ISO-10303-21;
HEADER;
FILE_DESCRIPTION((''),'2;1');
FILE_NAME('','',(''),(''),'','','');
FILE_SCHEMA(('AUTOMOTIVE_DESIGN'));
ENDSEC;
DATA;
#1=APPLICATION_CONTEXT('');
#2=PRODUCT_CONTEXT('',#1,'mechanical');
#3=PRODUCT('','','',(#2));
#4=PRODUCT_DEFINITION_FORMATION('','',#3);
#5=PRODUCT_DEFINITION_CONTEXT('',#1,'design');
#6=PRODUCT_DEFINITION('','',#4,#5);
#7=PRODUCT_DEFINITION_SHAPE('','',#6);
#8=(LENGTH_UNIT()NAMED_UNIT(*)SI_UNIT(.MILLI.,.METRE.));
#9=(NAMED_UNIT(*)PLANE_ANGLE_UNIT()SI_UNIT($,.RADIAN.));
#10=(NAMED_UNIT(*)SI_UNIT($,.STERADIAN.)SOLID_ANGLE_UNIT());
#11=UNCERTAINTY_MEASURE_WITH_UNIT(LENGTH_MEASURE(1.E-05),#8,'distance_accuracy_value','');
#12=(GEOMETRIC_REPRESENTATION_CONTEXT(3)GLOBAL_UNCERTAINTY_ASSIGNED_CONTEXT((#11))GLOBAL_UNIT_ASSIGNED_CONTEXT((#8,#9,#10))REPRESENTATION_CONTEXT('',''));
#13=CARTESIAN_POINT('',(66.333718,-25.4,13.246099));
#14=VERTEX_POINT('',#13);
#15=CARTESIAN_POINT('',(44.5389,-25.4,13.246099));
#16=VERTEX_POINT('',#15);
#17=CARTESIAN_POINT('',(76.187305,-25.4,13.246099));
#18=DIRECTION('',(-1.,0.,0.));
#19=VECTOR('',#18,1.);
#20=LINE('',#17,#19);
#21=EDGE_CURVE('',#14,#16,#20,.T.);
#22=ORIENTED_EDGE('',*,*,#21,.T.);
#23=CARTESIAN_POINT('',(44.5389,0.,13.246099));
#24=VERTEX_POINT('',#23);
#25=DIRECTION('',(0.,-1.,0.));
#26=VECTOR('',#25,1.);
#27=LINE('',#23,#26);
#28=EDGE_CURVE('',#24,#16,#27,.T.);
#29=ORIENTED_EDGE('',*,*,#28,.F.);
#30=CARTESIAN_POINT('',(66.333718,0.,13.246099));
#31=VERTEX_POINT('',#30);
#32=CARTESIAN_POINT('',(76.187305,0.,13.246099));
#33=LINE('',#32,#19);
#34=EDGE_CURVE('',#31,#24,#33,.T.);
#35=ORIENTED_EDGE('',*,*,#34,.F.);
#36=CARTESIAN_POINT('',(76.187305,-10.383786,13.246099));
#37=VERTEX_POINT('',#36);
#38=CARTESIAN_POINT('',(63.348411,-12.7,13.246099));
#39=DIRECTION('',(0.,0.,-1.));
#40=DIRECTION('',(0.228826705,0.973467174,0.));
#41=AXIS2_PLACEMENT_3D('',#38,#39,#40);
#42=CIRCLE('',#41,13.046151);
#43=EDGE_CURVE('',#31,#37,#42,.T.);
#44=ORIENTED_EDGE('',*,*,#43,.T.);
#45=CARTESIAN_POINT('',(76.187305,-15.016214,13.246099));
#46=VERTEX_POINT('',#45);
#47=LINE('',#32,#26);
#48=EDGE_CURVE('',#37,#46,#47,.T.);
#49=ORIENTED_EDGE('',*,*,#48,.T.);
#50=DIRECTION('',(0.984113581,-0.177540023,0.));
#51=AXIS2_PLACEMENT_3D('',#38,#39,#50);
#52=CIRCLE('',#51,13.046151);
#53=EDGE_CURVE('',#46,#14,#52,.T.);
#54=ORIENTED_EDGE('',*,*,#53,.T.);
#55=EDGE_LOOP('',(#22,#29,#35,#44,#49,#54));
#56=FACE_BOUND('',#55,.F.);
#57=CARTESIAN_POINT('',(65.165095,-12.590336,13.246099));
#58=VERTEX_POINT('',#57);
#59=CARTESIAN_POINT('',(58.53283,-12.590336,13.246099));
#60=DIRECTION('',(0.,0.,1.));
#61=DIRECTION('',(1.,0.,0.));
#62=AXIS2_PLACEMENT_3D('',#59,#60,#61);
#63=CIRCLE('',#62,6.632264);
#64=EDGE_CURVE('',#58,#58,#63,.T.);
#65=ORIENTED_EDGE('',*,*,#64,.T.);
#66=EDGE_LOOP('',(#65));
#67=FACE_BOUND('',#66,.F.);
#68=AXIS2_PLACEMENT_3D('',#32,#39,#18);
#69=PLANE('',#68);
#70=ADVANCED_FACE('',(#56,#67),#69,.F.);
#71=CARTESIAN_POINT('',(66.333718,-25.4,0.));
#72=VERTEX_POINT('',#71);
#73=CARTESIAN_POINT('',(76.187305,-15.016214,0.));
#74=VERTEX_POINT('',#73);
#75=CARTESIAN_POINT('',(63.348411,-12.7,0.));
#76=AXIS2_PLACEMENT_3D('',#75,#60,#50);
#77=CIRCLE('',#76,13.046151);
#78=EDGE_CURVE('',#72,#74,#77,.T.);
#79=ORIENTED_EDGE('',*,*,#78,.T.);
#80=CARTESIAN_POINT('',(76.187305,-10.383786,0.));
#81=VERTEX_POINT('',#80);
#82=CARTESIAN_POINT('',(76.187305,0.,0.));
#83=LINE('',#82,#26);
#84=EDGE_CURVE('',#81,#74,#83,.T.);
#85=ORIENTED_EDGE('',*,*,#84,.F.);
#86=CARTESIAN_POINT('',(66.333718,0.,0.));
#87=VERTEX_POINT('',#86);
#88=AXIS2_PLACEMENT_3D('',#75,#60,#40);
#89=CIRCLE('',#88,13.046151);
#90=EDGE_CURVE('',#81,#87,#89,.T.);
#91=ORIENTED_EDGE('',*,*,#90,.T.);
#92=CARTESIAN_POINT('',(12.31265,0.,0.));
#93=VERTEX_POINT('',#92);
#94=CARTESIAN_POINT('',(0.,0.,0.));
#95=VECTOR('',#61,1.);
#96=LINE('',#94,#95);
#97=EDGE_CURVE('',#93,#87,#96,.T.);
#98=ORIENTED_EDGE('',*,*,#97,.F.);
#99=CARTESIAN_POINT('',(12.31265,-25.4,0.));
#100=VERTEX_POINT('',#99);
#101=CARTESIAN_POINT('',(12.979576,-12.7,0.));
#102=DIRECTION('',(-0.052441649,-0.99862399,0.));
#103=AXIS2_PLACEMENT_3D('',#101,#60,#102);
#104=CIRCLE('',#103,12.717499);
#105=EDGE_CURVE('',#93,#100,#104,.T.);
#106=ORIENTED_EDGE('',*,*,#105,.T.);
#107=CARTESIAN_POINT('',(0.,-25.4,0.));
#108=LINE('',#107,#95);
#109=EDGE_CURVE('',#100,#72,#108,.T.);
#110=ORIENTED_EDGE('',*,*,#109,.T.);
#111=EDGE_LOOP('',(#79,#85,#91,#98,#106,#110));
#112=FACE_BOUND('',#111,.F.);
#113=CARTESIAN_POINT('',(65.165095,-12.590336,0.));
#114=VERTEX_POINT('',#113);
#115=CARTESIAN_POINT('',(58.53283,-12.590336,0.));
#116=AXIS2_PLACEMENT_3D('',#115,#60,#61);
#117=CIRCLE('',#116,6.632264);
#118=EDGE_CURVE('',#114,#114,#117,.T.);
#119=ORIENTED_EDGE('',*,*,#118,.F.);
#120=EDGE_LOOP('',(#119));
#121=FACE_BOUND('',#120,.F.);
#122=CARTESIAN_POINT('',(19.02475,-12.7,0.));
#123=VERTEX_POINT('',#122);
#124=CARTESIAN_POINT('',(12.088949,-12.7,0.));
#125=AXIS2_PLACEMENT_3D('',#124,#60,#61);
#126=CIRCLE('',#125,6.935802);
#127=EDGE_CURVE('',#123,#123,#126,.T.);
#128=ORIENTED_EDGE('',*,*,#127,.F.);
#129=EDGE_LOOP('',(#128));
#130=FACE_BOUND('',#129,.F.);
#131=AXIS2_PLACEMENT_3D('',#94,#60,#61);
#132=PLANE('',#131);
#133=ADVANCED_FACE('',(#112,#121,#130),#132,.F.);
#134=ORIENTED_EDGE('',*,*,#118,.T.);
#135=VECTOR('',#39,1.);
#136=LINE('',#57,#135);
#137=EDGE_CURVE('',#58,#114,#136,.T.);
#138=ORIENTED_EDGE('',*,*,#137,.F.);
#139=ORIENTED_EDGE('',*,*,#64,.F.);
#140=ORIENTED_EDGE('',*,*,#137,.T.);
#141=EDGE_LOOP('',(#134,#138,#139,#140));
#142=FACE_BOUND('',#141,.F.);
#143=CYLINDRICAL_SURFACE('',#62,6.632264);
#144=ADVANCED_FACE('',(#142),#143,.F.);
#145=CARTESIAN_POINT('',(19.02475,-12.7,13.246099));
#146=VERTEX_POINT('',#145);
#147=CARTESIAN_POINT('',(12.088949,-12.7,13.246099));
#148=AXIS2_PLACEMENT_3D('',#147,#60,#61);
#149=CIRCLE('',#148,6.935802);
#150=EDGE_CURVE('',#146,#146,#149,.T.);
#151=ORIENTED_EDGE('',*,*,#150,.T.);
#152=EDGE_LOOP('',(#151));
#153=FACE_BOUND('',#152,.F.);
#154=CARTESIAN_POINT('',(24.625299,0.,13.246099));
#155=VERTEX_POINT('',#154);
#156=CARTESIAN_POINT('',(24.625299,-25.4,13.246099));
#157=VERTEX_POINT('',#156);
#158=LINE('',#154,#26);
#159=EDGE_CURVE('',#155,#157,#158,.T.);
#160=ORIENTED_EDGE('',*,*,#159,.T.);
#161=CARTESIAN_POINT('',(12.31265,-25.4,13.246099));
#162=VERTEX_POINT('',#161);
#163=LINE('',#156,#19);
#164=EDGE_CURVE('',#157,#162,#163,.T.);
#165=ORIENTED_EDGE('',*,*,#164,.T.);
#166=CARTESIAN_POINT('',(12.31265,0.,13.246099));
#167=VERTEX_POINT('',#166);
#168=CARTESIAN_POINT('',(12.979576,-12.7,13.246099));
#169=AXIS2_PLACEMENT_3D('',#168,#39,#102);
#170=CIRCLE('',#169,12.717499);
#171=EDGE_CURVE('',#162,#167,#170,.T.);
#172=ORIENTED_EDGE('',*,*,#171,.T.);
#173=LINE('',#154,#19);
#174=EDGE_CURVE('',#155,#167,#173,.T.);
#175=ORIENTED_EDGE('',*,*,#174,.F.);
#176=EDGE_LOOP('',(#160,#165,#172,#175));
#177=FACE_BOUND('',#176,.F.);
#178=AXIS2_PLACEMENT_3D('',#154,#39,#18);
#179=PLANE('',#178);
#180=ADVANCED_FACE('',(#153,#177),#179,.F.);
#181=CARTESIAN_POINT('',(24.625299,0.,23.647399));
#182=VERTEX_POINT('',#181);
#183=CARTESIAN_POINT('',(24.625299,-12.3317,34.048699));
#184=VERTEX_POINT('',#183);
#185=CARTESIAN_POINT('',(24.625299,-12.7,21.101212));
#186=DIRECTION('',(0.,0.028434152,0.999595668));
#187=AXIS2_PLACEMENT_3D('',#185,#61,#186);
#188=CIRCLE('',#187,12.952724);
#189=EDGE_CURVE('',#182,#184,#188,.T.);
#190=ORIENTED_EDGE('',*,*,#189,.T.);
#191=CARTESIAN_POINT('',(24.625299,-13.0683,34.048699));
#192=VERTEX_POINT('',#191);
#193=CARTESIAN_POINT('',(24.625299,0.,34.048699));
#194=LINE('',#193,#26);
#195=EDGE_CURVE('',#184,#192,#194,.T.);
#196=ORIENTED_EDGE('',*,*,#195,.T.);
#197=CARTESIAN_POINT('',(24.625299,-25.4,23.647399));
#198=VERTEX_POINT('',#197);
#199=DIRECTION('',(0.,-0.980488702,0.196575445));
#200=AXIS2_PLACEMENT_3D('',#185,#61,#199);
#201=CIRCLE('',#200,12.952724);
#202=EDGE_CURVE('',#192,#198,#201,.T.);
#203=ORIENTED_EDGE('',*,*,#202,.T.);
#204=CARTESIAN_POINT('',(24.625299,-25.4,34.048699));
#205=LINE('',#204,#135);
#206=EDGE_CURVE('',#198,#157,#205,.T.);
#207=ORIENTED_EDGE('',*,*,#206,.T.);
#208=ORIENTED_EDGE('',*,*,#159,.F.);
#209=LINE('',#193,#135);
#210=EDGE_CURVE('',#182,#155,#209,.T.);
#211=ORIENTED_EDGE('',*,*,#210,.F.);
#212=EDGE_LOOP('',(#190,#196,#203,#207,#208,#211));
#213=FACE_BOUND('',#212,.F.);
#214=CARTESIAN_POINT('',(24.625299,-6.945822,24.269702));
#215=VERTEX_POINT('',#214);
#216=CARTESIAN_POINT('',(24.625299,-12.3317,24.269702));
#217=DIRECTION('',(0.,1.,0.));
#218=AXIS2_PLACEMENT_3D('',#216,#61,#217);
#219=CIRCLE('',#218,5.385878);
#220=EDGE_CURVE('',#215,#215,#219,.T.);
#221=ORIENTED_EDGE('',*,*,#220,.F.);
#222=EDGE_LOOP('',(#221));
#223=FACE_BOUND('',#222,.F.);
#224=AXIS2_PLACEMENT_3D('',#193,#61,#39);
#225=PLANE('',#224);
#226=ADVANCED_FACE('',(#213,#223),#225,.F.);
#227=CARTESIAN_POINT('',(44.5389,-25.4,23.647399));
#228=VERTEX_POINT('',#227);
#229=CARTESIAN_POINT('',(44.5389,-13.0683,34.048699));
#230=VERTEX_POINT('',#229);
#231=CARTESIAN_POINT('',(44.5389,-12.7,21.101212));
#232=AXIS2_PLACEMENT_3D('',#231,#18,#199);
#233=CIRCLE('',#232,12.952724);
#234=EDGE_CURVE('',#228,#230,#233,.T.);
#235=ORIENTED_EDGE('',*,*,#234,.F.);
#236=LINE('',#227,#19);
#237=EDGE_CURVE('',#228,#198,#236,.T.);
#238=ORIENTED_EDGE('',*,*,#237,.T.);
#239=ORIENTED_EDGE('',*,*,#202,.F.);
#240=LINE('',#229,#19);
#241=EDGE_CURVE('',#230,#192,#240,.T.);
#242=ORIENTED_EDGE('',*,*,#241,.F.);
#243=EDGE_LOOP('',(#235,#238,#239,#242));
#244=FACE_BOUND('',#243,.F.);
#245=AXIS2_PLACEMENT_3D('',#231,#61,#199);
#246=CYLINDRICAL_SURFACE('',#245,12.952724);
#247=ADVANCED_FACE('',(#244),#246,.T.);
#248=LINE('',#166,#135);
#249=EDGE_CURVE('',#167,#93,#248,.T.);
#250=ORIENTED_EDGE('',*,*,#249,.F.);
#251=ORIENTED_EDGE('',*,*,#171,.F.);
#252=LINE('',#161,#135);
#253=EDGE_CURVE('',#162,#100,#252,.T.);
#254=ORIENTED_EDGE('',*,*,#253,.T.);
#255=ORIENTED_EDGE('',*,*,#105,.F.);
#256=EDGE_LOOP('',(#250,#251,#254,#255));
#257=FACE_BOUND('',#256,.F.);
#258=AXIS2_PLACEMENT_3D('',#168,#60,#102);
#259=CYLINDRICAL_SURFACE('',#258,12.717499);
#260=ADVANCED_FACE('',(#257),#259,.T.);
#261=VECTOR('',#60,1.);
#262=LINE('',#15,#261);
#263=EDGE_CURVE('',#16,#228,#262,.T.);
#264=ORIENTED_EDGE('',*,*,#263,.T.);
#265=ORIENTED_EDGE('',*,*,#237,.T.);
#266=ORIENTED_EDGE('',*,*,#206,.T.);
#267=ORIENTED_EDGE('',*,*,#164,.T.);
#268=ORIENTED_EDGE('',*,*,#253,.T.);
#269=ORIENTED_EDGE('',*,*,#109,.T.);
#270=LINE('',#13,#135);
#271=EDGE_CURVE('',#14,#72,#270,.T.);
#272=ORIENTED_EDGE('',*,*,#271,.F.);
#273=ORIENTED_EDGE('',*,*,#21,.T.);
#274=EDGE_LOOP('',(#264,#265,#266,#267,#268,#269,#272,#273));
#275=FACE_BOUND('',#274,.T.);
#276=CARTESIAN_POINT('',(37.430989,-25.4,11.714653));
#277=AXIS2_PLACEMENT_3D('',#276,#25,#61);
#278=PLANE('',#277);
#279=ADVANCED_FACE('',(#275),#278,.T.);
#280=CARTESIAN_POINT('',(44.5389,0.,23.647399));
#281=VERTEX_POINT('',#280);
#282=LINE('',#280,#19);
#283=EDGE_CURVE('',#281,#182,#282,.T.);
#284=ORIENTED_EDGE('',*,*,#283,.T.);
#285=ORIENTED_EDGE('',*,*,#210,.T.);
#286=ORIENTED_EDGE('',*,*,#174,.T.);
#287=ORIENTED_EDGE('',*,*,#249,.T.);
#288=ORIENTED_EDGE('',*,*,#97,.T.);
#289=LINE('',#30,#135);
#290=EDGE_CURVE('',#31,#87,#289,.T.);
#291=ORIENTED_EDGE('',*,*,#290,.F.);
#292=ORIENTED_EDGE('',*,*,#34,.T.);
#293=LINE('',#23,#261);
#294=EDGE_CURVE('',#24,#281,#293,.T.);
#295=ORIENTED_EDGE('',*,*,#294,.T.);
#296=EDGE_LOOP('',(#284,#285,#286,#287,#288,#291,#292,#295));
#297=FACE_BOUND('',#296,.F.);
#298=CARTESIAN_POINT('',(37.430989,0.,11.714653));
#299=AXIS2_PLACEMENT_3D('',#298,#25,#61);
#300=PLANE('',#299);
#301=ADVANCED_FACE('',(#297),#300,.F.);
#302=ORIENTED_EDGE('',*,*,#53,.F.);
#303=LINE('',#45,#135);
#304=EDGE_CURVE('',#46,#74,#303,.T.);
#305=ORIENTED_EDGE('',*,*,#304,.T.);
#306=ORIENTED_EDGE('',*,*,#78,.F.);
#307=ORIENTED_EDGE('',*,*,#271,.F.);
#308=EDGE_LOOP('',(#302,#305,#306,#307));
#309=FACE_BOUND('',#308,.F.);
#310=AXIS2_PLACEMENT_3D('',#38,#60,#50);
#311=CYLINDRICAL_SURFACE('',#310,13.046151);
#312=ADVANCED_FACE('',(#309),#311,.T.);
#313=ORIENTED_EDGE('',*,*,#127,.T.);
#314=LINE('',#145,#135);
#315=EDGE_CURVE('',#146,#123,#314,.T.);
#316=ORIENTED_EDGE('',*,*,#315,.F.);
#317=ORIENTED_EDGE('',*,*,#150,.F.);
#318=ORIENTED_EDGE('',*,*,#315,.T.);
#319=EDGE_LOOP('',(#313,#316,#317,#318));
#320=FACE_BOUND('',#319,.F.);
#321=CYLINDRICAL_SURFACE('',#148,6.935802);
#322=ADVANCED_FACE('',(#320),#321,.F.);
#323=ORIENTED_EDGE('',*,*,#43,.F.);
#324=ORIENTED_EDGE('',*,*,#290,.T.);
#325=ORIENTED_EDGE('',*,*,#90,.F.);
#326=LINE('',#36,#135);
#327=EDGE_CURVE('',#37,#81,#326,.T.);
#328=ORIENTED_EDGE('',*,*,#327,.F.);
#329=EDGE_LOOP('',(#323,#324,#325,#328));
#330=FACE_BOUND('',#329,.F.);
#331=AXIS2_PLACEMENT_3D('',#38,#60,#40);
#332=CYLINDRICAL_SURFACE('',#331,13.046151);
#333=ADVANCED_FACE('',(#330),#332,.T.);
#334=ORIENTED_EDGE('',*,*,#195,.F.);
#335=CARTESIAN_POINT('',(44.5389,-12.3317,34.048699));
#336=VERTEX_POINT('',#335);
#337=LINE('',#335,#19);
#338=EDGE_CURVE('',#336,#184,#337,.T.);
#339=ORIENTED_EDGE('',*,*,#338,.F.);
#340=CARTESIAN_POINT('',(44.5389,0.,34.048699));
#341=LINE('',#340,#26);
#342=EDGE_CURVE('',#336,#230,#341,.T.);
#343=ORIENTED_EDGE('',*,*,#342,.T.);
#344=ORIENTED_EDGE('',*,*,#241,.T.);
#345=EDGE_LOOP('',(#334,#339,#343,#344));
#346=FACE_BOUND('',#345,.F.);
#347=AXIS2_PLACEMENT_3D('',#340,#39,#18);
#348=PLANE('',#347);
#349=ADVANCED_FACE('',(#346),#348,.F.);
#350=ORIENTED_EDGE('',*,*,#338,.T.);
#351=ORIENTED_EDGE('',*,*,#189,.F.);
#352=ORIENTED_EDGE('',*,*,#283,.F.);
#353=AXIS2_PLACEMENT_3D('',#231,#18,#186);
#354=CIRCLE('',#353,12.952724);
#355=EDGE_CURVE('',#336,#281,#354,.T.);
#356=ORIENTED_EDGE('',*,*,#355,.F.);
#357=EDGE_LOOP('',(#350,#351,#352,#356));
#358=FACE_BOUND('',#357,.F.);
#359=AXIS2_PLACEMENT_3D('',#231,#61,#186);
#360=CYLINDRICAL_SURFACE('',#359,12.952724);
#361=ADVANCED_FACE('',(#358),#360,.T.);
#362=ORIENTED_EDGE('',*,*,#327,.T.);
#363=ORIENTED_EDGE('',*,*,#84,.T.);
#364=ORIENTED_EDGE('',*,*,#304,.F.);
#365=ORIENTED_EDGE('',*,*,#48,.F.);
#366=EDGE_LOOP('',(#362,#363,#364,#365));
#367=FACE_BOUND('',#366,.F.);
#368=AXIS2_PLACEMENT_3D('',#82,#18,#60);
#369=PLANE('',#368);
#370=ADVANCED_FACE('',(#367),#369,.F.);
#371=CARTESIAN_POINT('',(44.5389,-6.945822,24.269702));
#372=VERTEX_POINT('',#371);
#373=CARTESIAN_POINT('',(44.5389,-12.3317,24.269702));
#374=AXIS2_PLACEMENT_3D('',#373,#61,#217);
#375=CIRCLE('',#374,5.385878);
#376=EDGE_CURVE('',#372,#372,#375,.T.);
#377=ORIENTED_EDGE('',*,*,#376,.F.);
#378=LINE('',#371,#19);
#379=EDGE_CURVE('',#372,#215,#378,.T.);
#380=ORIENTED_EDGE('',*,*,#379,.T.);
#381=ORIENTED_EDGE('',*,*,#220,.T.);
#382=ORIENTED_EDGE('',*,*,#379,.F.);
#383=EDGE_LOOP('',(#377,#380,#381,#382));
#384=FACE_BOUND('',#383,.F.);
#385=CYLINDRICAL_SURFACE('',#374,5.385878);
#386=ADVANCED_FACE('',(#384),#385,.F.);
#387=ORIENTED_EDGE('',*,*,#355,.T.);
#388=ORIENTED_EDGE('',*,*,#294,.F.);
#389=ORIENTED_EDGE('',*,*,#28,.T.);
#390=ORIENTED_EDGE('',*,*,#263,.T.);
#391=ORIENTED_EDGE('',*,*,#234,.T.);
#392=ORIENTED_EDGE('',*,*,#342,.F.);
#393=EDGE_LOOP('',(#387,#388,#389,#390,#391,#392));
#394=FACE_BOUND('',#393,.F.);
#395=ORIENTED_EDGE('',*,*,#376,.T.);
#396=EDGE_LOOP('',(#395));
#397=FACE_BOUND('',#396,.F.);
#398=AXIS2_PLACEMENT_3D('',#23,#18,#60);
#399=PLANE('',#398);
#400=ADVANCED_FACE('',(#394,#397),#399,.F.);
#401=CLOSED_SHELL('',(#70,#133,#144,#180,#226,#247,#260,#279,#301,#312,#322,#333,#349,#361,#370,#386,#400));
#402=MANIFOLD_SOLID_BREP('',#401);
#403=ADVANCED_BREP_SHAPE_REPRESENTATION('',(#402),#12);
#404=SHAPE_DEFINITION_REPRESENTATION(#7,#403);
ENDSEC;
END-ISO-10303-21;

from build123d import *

# Parameters (mm, degrees)
F1_DEPTH  = 25.4
F2_R      = 6.9358016154
F2_R_2    = 6.6322643692
F3_DEPTH  = 13.2470994646
F5_DEPTH  = 44.5399002562
F6_R      = 5.3858777777
F7_DEPTH  = 44.5399002562
F9_DEPTH  = 13.2470994646
F11_DEPTH = 13.2470994646


with BuildPart() as f1:
    # F0 (on Front) → F1 (new body)
    with BuildSketch(Plane.XZ):
        Polygon((0, 13.2460994646), (0, 0), (76.1873051524, 0), (76.1873051524, 13.2460994646), (44.5389002562, 13.2460994646), (44.5389002562, 34.0486988425), (24.6252994984, 34.0486988425), (24.6252994984, 13.2460994646), align=None)
    extrude(amount=F1_DEPTH)

    # F2 (on face) → F3 (cut, through all)
    with BuildSketch(Plane.XY.offset(13.2460994646)):
        with Locations((12.0889488608, -12.7)):
            Circle(F2_R)
        with Locations((58.5328303277, -12.590335682)):
            Circle(F2_R_2)
    extrude(amount=-F3_DEPTH, mode=Mode.SUBTRACT)

    # F4 (on face) → F5 (cut, through all)
    with BuildSketch(Plane.YZ.offset(44.5389002562)):
        with BuildLine():
            ThreePointArc((-25.4, 23.6473991536), (-21.0511599992, 31.0022821178), (-13.0682997406, 34.0486988425))
            Line((-13.0682997406, 34.0486988425), (-25.4, 34.0486988425))
            Line((-25.4, 34.0486988425), (-25.4, 23.6473991536))
        make_face()
        with BuildLine():
            ThreePointArc((-12.3317002594, 34.0486988425), (-4.3488400008, 31.0022821178), (0, 23.6473991536))
            Line((0, 23.6473991536), (0, 34.0486988425))
            Line((0, 34.0486988425), (-12.3317002594, 34.0486988425))
        make_face()
    extrude(amount=-F5_DEPTH, mode=Mode.SUBTRACT)

    # F6 (on face) → F7 (cut, through all)
    with BuildSketch(Plane.YZ.offset(44.5389002562)):
        with Locations((-12.3317002594, 24.269701913)):
            Circle(F6_R)
    extrude(amount=-F7_DEPTH, mode=Mode.SUBTRACT)

    # F8 (on face) → F9 (cut, through all)
    with BuildSketch(Plane.XY.offset(13.2460994646)):
        with BuildLine():
            ThreePointArc((12.3126497492, -25.4), (0.2620769816, -12.7), (12.3126497492, 0))
            Line((12.3126497492, 0), (0, 0))
            Line((0, 0), (0, -25.4))
            Line((0, -25.4), (12.3126497492, -25.4))
        make_face()
    extrude(amount=-F9_DEPTH, mode=Mode.SUBTRACT)

    # F10 (on face) → F11 (cut, through all)
    with BuildSketch(Plane.XY.offset(13.2460994646)):
        with BuildLine():
            ThreePointArc((66.3337183287, 0), (72.8118717617, -3.7197458837), (76.1873051524, -10.383786007))
            Line((76.1873051524, -10.383786007), (76.1873051524, 0))
            Line((76.1873051524, 0), (66.3337183287, 0))
        make_face()
        with BuildLine():
            ThreePointArc((76.1873051524, -15.016213993), (72.8118717617, -21.6802541163), (66.3337183287, -25.4))
            Line((66.3337183287, -25.4), (76.1873051524, -25.4))
            Line((76.1873051524, -25.4), (76.1873051524, -15.016213993))
        make_face()
    extrude(amount=-F11_DEPTH, mode=Mode.SUBTRACT)


solid = f1.part
